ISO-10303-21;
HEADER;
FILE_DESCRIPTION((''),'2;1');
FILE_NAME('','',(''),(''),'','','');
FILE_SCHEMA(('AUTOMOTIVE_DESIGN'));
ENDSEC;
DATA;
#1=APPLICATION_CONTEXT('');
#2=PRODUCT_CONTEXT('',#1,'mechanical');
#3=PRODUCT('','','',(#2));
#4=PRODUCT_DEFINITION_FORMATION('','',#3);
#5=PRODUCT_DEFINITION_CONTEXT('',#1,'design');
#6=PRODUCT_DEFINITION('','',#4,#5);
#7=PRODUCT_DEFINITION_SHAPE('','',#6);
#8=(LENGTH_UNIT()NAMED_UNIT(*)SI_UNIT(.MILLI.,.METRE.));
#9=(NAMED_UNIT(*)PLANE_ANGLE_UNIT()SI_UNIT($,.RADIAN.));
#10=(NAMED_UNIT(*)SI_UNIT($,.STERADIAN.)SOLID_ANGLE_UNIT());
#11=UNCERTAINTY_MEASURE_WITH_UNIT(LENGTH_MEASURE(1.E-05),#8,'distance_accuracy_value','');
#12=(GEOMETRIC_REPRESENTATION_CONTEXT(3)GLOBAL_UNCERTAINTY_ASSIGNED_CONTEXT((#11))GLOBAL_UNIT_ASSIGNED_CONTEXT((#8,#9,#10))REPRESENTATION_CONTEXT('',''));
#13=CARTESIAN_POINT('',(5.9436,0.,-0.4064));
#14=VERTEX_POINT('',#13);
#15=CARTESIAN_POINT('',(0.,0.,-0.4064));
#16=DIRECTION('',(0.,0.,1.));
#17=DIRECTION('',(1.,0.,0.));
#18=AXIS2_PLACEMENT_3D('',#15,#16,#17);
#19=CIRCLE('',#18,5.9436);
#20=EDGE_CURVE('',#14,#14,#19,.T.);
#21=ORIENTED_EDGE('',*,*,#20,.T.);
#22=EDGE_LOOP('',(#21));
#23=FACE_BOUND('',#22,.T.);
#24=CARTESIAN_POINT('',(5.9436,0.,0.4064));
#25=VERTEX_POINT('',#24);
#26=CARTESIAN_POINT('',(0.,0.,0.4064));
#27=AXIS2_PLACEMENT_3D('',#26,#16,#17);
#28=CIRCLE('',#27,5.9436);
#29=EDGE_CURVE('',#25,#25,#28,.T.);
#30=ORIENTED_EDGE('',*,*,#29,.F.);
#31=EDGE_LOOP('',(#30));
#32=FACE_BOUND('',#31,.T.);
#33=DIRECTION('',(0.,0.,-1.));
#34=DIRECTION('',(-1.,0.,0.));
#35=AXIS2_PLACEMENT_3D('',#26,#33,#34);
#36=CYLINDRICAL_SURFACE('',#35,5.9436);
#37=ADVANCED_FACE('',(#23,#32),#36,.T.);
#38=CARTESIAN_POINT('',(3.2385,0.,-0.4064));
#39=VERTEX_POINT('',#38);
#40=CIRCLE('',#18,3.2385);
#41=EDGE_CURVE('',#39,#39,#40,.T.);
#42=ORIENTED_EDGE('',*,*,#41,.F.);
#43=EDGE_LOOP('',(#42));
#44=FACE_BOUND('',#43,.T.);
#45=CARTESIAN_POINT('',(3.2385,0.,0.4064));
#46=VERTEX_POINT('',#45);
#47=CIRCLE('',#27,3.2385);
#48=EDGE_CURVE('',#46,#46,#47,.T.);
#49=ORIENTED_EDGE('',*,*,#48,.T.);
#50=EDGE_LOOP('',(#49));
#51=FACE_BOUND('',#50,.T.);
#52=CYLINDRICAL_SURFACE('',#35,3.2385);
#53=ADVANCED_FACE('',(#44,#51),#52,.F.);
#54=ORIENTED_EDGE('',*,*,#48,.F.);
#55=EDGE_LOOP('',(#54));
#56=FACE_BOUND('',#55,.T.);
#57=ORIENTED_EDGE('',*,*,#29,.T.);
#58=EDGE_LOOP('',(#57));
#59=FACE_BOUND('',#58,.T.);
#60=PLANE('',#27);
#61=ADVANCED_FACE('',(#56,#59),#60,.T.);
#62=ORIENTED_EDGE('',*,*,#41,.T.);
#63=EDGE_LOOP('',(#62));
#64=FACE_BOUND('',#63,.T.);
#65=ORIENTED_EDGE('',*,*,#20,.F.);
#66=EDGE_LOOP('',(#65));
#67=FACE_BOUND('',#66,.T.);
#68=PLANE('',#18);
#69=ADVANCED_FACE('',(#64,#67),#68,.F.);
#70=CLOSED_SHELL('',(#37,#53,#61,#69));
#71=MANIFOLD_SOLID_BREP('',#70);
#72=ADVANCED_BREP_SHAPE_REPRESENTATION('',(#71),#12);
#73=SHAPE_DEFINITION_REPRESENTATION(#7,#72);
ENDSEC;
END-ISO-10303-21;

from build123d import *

# Parameters (mm, degrees)
SKETCH3_R           = 5.9436
SKETCH3_R_2         = 3.2385
BOSS_EXTRUDE1_DEPTH = 0.4064


with BuildPart() as part:
    # Sketch3 → Boss-Extrude1 (new, symmetric)
    with BuildSketch(Plane.XY):
        Circle(SKETCH3_R)
        Circle(SKETCH3_R_2, mode=Mode.SUBTRACT)
    extrude(amount=BOSS_EXTRUDE1_DEPTH, both=True)


solid = part.part
